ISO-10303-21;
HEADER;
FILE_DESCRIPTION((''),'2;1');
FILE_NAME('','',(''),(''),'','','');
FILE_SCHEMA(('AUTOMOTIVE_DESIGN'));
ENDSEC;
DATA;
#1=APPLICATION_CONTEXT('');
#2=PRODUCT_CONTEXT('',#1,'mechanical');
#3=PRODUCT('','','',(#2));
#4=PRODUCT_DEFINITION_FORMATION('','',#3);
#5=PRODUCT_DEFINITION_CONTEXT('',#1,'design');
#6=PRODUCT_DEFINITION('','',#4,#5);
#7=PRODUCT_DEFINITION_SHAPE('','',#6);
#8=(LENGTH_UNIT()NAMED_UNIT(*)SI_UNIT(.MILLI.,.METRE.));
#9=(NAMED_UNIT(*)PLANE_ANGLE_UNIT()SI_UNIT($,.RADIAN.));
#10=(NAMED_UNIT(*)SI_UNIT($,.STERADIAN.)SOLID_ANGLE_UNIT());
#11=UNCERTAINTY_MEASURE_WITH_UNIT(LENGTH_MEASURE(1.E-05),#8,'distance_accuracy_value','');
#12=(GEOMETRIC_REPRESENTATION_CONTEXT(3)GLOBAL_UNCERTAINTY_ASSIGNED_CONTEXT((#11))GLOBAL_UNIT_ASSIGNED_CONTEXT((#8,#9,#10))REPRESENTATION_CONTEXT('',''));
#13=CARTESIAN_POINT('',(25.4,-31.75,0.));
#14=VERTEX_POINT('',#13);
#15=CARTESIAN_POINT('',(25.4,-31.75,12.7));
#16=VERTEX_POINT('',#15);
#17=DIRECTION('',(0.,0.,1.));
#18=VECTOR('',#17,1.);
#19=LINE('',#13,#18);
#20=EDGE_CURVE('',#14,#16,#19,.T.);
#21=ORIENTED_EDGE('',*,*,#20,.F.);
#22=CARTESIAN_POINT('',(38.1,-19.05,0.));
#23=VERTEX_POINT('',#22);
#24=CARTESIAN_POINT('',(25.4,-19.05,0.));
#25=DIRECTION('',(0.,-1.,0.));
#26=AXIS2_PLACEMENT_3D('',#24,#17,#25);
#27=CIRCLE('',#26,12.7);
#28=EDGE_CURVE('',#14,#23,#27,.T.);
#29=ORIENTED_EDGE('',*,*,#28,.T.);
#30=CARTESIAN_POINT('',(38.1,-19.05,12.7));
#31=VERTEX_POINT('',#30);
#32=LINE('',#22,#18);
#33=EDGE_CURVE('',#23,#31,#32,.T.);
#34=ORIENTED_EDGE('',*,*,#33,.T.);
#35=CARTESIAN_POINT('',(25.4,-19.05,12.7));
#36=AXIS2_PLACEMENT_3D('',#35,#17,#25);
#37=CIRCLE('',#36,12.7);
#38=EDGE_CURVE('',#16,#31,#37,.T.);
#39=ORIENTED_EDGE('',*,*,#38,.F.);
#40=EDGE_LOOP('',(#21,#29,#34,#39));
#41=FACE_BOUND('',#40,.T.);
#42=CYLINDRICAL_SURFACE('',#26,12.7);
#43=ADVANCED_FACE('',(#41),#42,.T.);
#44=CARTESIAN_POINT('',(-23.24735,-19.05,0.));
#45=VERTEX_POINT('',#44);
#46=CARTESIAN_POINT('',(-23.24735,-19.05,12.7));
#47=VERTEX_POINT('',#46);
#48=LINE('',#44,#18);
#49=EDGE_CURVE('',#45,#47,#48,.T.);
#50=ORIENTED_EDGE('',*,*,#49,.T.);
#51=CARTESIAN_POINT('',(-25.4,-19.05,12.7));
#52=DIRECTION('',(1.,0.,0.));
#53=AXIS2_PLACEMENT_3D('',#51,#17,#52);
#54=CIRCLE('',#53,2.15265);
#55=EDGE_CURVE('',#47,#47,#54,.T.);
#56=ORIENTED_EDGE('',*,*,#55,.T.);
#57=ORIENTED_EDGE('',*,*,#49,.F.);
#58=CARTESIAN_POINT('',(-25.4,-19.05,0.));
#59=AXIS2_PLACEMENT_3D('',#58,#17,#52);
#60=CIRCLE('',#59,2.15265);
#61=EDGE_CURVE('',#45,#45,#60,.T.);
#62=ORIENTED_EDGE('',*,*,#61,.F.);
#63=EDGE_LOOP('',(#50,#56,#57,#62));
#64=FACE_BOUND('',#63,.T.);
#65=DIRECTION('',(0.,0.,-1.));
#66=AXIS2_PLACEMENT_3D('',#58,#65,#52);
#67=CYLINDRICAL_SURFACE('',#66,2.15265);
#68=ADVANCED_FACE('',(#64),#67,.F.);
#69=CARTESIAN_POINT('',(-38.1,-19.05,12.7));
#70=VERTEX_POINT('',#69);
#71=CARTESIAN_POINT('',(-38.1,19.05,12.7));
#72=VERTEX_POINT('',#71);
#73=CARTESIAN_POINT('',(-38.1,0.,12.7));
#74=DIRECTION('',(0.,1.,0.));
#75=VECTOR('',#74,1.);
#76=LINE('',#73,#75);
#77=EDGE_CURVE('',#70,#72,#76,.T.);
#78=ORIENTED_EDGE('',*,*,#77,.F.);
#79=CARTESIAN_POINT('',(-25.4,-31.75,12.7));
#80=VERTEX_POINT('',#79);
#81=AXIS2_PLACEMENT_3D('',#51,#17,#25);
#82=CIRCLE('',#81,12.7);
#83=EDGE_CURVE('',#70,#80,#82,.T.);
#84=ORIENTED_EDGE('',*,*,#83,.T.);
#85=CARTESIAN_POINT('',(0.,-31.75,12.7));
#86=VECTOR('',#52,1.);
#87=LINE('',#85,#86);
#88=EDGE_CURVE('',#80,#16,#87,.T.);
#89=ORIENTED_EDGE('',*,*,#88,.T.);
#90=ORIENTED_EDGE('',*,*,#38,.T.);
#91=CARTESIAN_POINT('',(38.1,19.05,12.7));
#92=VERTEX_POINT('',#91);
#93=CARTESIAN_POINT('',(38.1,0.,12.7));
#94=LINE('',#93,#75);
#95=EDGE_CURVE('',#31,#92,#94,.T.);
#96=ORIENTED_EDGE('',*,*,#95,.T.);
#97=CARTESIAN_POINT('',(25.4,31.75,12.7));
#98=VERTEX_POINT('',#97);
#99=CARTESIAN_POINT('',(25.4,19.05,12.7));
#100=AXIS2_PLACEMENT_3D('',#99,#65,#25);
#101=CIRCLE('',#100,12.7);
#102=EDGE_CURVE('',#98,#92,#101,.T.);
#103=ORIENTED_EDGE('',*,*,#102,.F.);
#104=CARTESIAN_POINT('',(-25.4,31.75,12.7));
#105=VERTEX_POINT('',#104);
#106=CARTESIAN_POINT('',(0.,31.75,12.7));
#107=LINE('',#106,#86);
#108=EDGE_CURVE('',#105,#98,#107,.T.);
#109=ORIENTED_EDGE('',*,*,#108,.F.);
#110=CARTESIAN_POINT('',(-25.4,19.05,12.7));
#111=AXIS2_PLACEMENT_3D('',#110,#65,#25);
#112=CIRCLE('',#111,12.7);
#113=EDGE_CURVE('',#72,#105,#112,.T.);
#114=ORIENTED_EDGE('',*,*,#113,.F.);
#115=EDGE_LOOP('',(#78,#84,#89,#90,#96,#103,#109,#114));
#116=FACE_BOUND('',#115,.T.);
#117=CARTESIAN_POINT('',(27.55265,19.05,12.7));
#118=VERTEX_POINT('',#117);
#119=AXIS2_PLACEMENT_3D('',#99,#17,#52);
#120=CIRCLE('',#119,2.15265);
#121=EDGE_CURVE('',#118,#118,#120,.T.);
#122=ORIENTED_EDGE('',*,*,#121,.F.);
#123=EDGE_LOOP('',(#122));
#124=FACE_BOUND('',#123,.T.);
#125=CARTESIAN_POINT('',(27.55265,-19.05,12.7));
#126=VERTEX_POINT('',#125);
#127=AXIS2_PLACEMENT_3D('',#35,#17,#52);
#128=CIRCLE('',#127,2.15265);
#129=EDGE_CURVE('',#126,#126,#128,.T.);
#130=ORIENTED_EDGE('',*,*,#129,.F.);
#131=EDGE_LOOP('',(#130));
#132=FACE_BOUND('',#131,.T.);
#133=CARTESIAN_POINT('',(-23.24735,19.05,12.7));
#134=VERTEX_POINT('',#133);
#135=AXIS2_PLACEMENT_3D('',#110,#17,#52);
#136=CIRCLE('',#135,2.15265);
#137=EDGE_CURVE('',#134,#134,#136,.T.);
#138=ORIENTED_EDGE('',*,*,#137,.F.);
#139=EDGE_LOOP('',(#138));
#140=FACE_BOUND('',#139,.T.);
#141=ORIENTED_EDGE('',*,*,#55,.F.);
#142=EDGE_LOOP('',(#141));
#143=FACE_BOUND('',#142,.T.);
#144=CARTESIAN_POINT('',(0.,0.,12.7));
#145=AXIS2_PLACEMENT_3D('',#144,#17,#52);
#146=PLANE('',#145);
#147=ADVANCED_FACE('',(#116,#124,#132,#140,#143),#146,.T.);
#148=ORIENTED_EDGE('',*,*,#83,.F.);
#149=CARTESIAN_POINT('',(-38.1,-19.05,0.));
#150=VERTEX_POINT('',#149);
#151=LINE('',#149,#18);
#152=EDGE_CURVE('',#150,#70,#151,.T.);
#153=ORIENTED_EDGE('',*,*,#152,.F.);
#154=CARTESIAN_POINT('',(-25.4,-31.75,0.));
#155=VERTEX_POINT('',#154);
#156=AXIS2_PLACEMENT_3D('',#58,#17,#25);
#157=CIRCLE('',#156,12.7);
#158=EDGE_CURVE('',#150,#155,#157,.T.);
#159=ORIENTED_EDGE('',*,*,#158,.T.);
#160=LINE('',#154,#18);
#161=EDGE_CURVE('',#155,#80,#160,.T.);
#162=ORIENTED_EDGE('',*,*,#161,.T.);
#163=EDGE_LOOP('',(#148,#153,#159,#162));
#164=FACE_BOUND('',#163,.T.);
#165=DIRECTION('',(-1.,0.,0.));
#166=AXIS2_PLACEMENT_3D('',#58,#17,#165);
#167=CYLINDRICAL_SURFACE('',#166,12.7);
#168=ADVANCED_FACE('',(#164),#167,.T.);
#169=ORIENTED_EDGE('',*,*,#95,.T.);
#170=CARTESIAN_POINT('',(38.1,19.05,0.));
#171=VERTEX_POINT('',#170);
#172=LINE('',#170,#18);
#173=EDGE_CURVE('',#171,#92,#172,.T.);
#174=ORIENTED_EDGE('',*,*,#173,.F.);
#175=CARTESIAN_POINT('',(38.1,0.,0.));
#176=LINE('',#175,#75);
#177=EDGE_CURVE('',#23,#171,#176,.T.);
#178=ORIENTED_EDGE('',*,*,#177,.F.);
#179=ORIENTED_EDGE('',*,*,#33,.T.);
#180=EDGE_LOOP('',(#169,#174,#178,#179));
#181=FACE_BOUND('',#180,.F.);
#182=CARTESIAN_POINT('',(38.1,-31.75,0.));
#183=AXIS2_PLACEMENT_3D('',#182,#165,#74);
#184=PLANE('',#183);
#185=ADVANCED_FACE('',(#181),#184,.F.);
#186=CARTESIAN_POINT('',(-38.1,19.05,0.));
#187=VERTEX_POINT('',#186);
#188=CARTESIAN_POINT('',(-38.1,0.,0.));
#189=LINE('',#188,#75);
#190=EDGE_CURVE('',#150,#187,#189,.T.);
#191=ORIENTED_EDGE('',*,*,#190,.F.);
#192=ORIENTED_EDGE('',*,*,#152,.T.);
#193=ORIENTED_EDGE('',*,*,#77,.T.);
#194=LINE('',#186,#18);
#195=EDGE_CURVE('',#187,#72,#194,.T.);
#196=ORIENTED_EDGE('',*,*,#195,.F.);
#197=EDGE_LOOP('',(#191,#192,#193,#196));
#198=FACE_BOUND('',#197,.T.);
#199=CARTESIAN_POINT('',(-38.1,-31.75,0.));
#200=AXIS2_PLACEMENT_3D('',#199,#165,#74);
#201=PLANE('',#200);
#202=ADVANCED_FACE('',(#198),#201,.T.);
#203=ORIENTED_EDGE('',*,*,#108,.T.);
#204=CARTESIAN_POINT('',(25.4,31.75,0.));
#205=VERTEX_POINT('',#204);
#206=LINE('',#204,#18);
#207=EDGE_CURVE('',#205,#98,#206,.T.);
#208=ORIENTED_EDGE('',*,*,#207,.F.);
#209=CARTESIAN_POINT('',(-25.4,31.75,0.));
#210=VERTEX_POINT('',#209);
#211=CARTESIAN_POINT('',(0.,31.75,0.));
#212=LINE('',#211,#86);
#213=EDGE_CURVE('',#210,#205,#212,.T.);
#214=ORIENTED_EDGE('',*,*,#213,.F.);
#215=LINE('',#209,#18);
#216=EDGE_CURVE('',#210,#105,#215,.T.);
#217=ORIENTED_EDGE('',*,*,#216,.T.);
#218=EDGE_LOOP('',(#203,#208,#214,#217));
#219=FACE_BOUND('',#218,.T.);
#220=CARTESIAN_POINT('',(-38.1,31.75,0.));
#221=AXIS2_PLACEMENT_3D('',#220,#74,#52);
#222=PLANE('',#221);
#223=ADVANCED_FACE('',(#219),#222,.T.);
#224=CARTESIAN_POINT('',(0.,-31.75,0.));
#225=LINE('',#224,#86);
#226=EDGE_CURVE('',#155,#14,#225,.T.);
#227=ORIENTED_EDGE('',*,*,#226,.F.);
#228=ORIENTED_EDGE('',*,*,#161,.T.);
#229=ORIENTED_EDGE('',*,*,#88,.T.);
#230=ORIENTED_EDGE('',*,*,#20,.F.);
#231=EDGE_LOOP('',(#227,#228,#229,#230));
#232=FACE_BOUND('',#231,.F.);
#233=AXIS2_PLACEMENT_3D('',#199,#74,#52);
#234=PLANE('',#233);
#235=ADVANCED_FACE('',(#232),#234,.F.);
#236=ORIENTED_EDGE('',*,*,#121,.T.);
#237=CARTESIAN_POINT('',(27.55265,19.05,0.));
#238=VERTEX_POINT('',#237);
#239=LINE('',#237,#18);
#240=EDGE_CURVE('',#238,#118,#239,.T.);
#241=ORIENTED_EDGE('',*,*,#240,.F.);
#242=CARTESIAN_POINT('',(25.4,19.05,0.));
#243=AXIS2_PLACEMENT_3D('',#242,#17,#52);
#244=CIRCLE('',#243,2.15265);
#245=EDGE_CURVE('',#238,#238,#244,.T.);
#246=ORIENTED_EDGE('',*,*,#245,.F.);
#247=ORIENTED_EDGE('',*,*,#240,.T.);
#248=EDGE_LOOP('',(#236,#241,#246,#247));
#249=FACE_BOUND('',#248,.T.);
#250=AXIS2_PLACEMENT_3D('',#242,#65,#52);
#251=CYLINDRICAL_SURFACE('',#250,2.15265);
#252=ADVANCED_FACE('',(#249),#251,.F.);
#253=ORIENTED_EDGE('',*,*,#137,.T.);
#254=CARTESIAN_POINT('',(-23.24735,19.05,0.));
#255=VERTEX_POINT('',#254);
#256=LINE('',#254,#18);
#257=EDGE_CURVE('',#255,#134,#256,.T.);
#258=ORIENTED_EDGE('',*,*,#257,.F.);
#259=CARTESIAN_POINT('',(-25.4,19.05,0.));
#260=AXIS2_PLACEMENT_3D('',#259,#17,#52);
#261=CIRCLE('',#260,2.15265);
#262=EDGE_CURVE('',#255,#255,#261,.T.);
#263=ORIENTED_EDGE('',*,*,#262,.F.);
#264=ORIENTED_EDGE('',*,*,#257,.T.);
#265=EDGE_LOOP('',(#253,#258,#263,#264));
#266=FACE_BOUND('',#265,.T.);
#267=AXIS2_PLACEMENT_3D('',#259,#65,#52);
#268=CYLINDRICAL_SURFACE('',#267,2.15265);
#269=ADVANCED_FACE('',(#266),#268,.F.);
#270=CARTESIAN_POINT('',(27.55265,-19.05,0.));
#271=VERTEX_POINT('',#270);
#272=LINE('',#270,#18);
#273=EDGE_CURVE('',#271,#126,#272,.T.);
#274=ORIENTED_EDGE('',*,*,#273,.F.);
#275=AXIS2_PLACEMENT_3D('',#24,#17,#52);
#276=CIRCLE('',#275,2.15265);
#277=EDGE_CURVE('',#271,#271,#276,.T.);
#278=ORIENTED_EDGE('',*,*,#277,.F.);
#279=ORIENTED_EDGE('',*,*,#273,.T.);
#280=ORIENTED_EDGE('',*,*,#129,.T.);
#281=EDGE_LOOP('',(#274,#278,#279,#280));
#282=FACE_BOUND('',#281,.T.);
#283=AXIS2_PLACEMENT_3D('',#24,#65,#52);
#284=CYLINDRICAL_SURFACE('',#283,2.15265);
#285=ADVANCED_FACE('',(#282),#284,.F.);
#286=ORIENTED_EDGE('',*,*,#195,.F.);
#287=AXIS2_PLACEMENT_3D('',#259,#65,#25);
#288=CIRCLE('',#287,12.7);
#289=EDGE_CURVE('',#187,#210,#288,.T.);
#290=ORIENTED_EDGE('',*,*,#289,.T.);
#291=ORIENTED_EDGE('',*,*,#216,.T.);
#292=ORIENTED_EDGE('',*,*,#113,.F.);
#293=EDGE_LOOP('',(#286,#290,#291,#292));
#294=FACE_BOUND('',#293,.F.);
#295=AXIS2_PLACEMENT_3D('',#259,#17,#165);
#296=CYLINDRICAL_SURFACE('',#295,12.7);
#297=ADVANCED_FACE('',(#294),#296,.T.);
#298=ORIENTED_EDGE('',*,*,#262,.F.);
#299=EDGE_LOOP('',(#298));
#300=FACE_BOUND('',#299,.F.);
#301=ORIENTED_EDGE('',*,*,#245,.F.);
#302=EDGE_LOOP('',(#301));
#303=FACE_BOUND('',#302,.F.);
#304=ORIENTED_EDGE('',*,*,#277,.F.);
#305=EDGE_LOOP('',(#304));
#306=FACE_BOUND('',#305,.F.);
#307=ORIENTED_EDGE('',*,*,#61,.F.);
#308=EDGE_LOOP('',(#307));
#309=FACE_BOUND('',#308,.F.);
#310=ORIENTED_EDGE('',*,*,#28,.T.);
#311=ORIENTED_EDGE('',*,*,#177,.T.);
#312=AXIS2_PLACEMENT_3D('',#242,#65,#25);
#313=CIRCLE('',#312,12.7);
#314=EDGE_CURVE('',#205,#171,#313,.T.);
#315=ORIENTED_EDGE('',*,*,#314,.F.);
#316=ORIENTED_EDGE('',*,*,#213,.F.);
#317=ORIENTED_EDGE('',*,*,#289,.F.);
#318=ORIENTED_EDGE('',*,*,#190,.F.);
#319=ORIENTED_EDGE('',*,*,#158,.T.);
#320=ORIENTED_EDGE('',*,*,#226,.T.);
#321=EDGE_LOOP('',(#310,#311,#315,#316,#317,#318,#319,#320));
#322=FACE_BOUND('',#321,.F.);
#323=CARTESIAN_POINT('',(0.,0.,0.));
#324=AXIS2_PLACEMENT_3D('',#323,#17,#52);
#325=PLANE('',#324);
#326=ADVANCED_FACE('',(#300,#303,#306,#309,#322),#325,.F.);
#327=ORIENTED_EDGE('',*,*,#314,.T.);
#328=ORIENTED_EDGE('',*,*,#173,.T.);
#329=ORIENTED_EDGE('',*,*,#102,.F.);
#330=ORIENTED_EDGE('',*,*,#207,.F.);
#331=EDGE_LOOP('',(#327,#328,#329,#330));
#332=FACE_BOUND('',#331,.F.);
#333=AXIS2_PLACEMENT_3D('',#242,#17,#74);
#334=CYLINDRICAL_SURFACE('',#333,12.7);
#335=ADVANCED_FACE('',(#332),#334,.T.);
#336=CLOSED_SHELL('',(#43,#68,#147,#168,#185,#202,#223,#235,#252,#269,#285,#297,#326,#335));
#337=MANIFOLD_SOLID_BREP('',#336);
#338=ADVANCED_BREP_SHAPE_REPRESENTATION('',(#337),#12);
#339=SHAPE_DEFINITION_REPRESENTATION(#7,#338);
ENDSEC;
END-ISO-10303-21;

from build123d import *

# Parameters (mm, degrees)
F0_W     = 76.2
F0_H     = 63.5
F0_R     = 2.15265
F1_DEPTH = 12.7
F2_R     = 12.7


with BuildPart() as f1:
    # F0 (on Top) → F1 (new body)
    with BuildSketch(Plane.XY):
        Rectangle(F0_W, F0_H)
        with Locations((-25.4, -19.05)):
            Circle(F0_R, mode=Mode.SUBTRACT)
        with Locations((25.4, -19.05)):
            Circle(F0_R, mode=Mode.SUBTRACT)
        with Locations((-25.4, 19.05)):
            Circle(F0_R, mode=Mode.SUBTRACT)
        with Locations((25.4, 19.05)):
            Circle(F0_R, mode=Mode.SUBTRACT)
    extrude(amount=F1_DEPTH)

    # F2
    f2_edges = [f1.edges().sort_by_distance(p)[0] for p in [
        (-38.1, -31.75, 6.35),
        (38.1, -31.75, 6.35),
        (38.1, 31.75, 6.35),
        (-38.1, 31.75, 6.35),
    ]]
    fillet(f2_edges, radius=F2_R)


solid = f1.part
